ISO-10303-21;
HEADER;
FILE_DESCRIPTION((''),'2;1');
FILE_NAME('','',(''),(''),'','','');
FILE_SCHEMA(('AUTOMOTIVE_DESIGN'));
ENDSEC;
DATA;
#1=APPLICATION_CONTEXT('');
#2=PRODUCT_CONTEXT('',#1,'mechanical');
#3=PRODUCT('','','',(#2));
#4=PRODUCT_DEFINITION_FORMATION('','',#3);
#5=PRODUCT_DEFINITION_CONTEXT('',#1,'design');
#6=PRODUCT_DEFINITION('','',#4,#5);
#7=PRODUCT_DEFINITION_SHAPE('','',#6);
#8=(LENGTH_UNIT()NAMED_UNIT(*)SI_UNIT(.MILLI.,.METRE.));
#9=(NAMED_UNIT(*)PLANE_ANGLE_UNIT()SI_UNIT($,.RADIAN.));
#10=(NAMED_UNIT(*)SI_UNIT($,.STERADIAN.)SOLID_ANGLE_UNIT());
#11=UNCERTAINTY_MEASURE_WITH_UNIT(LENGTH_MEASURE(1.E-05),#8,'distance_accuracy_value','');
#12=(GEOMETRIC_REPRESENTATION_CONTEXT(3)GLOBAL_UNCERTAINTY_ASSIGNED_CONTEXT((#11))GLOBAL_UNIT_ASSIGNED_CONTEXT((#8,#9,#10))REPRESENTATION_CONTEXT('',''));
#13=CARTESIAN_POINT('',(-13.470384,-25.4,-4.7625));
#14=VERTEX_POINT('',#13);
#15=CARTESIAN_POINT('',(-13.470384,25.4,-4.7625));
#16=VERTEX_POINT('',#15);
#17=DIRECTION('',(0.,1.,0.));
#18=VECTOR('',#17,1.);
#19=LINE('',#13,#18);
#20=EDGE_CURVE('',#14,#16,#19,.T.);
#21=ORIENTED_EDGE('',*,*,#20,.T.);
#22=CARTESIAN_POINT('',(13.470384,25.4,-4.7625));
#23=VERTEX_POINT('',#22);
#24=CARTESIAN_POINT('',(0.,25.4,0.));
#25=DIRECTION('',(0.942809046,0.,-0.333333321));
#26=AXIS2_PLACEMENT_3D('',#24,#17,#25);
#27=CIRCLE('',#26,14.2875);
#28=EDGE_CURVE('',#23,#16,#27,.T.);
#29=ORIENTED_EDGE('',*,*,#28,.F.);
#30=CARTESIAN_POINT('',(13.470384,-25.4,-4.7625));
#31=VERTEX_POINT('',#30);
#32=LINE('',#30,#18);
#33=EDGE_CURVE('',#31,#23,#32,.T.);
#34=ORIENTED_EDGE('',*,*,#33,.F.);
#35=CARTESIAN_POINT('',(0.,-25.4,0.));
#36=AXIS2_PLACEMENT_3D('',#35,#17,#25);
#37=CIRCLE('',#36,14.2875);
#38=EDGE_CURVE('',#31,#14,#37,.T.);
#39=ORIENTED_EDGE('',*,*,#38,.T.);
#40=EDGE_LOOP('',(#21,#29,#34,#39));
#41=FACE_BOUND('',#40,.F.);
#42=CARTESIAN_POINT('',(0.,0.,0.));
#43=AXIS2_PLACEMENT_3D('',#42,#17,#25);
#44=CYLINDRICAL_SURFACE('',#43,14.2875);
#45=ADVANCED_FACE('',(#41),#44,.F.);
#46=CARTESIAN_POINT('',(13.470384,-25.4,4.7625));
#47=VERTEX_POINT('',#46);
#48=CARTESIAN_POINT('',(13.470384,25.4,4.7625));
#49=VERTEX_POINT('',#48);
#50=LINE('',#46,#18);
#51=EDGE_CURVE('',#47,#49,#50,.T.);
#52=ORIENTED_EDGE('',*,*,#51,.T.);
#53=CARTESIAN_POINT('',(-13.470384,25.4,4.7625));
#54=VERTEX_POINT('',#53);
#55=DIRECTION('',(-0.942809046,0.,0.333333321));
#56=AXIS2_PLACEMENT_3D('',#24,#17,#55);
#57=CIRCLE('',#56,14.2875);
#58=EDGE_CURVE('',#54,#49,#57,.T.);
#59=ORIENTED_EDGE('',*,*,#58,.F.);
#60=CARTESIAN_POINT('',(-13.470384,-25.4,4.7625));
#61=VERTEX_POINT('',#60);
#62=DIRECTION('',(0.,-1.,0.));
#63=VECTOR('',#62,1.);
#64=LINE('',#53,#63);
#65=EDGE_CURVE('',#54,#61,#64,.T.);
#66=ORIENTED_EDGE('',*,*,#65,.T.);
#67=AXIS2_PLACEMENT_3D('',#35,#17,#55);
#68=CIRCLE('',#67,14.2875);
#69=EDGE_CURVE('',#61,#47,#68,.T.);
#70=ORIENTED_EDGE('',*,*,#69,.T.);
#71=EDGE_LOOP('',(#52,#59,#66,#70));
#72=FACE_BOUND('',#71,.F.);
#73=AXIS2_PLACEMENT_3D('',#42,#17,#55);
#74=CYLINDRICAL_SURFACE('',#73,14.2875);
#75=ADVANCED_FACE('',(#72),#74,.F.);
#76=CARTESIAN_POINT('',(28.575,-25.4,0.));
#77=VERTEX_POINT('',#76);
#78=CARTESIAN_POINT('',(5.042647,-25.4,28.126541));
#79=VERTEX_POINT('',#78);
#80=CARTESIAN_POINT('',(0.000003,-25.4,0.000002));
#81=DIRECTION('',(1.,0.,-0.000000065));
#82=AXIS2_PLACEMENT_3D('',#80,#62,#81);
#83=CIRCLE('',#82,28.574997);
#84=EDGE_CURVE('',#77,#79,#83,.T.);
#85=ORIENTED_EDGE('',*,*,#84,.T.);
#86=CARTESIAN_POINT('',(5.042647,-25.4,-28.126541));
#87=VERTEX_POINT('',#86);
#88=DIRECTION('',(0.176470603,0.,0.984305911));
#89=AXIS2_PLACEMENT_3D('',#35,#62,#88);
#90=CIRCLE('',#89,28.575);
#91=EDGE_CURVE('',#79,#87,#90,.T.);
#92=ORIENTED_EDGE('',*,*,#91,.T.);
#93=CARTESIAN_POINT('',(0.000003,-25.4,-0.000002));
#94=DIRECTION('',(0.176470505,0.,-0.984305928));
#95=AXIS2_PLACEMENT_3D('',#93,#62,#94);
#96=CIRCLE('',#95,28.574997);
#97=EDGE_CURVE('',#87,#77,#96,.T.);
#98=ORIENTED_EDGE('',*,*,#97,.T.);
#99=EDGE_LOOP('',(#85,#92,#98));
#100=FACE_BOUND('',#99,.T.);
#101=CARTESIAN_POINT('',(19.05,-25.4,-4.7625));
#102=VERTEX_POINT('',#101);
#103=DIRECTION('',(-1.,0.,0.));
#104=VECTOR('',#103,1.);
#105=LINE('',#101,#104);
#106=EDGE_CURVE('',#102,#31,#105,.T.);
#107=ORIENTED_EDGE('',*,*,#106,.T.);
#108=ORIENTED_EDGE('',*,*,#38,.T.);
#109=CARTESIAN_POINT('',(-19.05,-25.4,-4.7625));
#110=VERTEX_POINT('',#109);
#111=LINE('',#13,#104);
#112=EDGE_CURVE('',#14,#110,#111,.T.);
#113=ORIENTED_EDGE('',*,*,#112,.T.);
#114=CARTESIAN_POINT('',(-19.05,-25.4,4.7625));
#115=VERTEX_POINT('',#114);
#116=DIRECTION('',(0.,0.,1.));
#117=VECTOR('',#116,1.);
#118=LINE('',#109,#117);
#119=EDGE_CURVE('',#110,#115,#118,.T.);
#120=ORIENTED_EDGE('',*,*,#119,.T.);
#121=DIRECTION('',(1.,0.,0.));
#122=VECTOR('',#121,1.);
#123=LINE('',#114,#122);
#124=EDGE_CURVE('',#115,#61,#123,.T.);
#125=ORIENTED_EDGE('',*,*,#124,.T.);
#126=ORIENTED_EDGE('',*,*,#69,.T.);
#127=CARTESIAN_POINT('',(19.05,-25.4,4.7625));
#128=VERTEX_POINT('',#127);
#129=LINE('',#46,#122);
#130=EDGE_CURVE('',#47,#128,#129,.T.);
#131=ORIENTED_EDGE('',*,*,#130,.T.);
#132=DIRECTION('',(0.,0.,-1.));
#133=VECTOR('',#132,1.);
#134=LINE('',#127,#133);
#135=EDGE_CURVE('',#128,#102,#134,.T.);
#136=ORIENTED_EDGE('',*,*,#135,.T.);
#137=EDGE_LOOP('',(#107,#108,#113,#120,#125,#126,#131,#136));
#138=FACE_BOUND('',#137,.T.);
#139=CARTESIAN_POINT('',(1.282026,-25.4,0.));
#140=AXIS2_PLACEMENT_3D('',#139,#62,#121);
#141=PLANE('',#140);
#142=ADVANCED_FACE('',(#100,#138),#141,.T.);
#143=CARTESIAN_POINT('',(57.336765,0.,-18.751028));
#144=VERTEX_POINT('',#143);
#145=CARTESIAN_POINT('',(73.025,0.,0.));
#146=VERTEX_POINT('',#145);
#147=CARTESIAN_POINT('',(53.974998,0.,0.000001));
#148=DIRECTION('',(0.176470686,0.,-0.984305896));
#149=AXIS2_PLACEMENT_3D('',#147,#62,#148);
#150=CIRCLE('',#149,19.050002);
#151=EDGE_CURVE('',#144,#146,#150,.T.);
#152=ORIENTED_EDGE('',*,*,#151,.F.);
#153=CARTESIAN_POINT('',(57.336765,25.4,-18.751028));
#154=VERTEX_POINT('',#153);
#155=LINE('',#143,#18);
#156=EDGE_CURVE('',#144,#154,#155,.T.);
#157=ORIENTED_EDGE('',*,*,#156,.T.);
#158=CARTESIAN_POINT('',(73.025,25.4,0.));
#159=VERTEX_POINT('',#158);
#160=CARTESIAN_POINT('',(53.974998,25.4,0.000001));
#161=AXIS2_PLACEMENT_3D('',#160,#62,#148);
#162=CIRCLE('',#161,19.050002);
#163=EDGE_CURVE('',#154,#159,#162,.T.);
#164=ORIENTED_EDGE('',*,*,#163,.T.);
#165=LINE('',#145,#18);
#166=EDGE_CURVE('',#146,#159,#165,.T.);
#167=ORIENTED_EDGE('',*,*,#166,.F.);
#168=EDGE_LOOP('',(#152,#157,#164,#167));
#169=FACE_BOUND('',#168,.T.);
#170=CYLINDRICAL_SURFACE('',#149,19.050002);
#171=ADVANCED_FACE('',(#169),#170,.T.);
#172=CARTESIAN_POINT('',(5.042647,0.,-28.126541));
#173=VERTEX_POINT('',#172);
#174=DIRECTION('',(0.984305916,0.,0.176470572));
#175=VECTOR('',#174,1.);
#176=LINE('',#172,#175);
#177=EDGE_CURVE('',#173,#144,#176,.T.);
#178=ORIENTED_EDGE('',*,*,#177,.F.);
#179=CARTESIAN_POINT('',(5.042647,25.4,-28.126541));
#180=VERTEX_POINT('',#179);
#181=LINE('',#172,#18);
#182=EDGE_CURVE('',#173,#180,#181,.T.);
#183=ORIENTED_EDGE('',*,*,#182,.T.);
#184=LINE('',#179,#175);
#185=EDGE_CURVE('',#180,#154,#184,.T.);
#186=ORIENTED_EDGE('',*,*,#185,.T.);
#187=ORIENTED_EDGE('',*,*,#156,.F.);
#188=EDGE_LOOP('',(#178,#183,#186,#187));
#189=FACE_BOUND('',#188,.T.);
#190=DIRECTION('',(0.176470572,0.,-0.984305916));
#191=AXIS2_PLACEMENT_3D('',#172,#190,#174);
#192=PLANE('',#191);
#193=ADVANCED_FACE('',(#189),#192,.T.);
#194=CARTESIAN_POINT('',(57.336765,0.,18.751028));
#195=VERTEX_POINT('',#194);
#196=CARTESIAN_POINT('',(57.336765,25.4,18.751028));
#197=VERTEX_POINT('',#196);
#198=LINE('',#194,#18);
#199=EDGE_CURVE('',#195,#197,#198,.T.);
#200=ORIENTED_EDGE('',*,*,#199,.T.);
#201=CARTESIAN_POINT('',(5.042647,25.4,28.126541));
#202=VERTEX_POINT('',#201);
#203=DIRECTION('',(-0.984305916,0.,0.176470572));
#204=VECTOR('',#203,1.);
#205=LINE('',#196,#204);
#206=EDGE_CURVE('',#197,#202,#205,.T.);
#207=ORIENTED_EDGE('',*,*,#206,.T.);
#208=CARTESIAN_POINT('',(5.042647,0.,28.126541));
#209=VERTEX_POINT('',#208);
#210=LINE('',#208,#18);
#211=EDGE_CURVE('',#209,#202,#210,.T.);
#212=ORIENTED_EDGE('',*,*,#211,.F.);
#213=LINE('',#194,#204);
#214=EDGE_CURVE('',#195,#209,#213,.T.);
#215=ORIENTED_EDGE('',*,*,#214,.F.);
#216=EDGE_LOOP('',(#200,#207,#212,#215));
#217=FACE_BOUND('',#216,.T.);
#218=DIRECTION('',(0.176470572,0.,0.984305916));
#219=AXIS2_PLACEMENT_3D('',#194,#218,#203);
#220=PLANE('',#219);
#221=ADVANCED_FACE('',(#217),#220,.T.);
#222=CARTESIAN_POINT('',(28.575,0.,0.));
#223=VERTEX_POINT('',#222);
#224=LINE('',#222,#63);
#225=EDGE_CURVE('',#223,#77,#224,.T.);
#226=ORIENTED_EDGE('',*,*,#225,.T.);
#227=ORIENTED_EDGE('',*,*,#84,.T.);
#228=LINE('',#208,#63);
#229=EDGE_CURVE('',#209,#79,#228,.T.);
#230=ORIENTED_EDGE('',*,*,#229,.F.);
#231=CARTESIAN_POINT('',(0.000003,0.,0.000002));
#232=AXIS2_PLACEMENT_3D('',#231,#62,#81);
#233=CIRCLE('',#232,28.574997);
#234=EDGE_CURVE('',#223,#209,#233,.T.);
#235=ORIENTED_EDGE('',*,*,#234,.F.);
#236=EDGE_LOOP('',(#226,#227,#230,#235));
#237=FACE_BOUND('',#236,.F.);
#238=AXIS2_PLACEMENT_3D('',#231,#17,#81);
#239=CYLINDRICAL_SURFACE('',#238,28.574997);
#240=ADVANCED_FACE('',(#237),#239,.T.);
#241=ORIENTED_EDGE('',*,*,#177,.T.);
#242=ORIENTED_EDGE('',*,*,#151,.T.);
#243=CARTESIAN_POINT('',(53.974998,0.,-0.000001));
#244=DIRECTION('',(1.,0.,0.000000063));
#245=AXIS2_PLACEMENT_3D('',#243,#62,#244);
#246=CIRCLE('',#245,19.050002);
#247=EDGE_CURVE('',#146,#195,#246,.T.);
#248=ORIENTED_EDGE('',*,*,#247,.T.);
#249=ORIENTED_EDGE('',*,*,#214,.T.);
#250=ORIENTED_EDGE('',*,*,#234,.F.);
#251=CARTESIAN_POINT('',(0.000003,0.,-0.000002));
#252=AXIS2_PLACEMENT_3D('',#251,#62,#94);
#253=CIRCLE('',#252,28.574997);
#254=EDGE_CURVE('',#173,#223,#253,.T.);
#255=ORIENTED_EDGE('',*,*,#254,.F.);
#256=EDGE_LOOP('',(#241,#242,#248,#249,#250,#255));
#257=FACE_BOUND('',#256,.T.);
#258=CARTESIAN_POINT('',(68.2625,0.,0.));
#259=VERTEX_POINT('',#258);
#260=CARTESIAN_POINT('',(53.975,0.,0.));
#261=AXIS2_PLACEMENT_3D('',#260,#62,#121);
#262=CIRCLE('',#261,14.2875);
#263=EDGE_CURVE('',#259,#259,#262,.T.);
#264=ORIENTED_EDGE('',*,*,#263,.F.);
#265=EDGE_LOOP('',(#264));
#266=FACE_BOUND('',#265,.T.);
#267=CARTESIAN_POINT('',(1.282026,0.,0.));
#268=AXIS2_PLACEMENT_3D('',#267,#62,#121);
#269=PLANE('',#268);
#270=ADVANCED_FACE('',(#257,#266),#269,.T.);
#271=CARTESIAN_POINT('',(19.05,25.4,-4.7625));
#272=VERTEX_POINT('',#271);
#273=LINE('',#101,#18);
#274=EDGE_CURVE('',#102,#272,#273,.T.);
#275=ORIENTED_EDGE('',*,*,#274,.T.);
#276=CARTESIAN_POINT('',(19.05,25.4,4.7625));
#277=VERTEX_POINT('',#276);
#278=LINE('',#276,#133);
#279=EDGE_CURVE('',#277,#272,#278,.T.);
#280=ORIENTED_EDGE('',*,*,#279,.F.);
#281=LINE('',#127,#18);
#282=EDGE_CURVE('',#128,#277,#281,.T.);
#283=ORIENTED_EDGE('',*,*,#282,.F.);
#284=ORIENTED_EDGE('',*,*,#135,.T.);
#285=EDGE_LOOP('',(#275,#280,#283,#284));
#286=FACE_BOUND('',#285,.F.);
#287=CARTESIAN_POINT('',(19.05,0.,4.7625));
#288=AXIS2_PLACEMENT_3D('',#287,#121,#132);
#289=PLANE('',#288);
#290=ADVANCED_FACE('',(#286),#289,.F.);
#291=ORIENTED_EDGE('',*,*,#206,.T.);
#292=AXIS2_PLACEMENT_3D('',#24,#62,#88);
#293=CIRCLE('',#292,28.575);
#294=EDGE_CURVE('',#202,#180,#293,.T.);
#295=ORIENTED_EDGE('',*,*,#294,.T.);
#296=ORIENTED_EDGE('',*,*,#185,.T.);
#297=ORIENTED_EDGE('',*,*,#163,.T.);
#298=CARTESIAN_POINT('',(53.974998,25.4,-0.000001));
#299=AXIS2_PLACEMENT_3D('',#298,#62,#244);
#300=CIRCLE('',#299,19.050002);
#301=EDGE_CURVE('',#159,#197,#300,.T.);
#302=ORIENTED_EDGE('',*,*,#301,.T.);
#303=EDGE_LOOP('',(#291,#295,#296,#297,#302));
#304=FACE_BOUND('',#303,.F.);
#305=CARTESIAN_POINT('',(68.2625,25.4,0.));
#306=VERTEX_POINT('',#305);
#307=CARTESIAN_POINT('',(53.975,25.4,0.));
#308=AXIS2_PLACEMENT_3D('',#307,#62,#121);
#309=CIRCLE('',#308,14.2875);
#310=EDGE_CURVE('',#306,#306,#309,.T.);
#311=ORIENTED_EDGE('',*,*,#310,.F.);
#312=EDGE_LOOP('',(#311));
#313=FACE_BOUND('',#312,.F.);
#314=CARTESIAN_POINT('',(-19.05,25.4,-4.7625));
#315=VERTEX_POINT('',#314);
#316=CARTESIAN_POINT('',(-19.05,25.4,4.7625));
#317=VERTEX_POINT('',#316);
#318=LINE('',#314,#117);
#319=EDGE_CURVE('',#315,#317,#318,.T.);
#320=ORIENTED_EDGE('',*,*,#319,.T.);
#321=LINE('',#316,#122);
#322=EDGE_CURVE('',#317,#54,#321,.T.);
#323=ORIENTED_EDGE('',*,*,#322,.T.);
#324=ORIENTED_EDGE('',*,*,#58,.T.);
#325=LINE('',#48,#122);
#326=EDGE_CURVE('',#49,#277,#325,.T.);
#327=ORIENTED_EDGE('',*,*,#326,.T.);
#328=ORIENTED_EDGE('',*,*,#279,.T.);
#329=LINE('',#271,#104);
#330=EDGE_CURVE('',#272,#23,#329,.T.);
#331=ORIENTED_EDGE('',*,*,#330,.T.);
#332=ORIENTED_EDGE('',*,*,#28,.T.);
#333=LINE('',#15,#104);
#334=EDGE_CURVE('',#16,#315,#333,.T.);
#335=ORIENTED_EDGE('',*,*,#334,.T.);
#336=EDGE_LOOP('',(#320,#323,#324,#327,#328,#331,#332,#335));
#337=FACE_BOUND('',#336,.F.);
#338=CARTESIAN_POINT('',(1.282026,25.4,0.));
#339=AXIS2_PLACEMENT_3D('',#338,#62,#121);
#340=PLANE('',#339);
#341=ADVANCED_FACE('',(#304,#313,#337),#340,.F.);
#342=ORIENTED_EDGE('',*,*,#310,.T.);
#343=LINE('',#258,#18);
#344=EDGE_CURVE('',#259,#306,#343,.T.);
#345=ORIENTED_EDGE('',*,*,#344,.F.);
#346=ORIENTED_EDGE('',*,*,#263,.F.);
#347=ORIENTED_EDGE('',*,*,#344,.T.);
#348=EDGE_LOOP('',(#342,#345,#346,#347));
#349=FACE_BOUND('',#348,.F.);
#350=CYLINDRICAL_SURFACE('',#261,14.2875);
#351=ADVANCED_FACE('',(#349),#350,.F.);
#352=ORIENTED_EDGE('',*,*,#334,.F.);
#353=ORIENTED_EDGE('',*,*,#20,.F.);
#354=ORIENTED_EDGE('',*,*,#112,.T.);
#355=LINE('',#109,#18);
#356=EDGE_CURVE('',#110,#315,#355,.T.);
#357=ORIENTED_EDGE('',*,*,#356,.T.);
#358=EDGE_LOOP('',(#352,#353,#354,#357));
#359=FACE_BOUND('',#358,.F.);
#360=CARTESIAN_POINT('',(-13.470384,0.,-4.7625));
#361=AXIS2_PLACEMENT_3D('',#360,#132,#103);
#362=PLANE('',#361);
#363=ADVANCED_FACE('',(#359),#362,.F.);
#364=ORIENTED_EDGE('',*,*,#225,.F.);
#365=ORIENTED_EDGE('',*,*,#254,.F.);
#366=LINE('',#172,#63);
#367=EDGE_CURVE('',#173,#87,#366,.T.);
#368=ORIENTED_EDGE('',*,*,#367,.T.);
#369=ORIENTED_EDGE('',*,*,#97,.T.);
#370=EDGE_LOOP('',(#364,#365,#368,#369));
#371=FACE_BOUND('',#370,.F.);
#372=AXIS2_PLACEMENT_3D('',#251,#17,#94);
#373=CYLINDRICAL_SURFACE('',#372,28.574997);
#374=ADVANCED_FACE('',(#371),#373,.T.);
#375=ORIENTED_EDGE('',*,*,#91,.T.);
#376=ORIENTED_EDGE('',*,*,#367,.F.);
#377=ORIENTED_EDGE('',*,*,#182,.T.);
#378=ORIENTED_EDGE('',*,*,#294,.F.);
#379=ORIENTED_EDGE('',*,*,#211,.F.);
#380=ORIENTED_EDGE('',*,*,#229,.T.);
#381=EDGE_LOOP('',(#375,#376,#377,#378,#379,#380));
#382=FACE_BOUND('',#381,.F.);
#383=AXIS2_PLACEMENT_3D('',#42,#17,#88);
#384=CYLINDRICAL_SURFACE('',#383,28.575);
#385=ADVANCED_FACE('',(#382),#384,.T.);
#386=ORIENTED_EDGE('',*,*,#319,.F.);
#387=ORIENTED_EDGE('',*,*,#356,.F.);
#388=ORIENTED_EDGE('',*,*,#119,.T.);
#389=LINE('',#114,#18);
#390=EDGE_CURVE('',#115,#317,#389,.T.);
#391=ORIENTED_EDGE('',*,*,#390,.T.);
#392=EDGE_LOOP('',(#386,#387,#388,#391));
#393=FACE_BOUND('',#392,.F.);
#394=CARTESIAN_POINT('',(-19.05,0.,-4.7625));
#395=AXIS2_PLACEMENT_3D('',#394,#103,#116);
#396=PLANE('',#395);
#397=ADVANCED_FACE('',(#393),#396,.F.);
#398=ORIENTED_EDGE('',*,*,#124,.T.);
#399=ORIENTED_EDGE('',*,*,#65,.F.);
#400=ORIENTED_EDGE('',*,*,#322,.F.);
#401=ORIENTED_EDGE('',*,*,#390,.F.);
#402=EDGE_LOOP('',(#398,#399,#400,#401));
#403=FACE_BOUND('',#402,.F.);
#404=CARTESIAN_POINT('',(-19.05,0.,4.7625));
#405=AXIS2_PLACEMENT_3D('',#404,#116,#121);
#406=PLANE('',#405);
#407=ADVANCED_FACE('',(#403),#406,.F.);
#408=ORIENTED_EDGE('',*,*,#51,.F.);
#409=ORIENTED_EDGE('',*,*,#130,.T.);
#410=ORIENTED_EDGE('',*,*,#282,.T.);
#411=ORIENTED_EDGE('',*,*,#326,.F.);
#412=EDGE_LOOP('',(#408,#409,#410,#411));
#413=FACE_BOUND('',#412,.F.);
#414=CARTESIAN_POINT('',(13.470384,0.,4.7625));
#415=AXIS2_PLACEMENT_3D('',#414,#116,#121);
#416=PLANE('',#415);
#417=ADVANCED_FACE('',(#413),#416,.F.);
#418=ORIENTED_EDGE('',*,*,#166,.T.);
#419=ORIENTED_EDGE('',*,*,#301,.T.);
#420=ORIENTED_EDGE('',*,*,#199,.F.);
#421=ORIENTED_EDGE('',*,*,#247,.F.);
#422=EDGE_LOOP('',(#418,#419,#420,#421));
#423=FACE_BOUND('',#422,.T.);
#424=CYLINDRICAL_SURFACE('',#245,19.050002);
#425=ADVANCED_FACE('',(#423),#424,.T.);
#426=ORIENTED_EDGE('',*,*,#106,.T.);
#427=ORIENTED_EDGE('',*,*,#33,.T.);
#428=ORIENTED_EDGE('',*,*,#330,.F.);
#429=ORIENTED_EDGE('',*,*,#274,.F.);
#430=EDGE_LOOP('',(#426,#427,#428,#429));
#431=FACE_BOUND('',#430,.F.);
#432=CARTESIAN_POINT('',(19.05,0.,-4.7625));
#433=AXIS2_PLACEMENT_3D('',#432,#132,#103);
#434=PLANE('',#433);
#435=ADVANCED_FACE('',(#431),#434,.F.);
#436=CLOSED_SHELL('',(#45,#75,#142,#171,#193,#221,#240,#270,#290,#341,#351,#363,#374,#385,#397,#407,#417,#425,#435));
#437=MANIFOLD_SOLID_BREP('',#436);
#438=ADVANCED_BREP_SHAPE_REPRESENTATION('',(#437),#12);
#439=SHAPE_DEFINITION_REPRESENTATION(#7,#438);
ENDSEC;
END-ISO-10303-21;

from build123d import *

# Parameters (mm, degrees)
F0_R     = 14.2875
F1_DEPTH = 25.4
F2_DEPTH = 25.4


with BuildPart() as f1:
    # F0 (on Front) → F1 (new body)
    with BuildSketch(Plane.XZ):
        with BuildLine():
            ThreePointArc((5.042647, -28.126541), (21.916025, -18.336262), (28.575, 0))
            ThreePointArc((28.575, 0), (21.916025, 18.336262), (5.042647, 28.126541))
            ThreePointArc((5.042647, 28.126541), (-28.575, 0), (5.042647, -28.126541))
        make_face()
        with BuildLine():
            ThreePointArc((-13.470384, 4.7625), (0, 14.2875), (13.470384, 4.7625))
            Line((13.470384, 4.7625), (19.05, 4.7625))
            Line((19.05, 4.7625), (19.05, -4.7625))
            Line((19.05, -4.7625), (13.470384, -4.7625))
            ThreePointArc((13.470384, -4.7625), (0, -14.2875), (-13.470384, -4.7625))
            Line((-13.470384, -4.7625), (-19.05, -4.7625))
            Line((-19.05, -4.7625), (-19.05, 4.7625))
            Line((-19.05, 4.7625), (-13.470384, 4.7625))
        make_face(mode=Mode.SUBTRACT)
        with BuildLine():
            ThreePointArc((73.025, 0), (68.585683, 12.224174), (57.336765, 18.751028))
            ThreePointArc((57.336765, 18.751028), (34.925, 0), (57.336765, -18.751028))
            ThreePointArc((57.336765, -18.751028), (68.585683, -12.224174), (73.025, 0))
        make_face()
        with Locations((53.975, 0)):
            Circle(F0_R, mode=Mode.SUBTRACT)
        with BuildLine():
            ThreePointArc((5.042647, 28.126541), (21.916025, 18.336262), (28.575, 0))
            ThreePointArc((28.575, 0), (21.916025, -18.336262), (5.042647, -28.126541))
            Line((5.042647, -28.126541), (57.336765, -18.751028))
            ThreePointArc((57.336765, -18.751028), (34.925, 0), (57.336765, 18.751028))
            Line((57.336765, 18.751028), (5.042647, 28.126541))
        make_face()
    extrude(amount=-F1_DEPTH)

    # F0 (on Front) → F2 (join)
    with BuildSketch(Plane.XZ):
        with BuildLine():
            ThreePointArc((5.042647, -28.126541), (21.916025, -18.336262), (28.575, 0))
            ThreePointArc((28.575, 0), (21.916025, 18.336262), (5.042647, 28.126541))
            ThreePointArc((5.042647, 28.126541), (-28.575, 0), (5.042647, -28.126541))
        make_face()
        with BuildLine():
            ThreePointArc((-13.470384, 4.7625), (0, 14.2875), (13.470384, 4.7625))
            Line((13.470384, 4.7625), (19.05, 4.7625))
            Line((19.05, 4.7625), (19.05, -4.7625))
            Line((19.05, -4.7625), (13.470384, -4.7625))
            ThreePointArc((13.470384, -4.7625), (0, -14.2875), (-13.470384, -4.7625))
            Line((-13.470384, -4.7625), (-19.05, -4.7625))
            Line((-19.05, -4.7625), (-19.05, 4.7625))
            Line((-19.05, 4.7625), (-13.470384, 4.7625))
        make_face(mode=Mode.SUBTRACT)
    extrude(amount=F2_DEPTH)


solid = f1.part
